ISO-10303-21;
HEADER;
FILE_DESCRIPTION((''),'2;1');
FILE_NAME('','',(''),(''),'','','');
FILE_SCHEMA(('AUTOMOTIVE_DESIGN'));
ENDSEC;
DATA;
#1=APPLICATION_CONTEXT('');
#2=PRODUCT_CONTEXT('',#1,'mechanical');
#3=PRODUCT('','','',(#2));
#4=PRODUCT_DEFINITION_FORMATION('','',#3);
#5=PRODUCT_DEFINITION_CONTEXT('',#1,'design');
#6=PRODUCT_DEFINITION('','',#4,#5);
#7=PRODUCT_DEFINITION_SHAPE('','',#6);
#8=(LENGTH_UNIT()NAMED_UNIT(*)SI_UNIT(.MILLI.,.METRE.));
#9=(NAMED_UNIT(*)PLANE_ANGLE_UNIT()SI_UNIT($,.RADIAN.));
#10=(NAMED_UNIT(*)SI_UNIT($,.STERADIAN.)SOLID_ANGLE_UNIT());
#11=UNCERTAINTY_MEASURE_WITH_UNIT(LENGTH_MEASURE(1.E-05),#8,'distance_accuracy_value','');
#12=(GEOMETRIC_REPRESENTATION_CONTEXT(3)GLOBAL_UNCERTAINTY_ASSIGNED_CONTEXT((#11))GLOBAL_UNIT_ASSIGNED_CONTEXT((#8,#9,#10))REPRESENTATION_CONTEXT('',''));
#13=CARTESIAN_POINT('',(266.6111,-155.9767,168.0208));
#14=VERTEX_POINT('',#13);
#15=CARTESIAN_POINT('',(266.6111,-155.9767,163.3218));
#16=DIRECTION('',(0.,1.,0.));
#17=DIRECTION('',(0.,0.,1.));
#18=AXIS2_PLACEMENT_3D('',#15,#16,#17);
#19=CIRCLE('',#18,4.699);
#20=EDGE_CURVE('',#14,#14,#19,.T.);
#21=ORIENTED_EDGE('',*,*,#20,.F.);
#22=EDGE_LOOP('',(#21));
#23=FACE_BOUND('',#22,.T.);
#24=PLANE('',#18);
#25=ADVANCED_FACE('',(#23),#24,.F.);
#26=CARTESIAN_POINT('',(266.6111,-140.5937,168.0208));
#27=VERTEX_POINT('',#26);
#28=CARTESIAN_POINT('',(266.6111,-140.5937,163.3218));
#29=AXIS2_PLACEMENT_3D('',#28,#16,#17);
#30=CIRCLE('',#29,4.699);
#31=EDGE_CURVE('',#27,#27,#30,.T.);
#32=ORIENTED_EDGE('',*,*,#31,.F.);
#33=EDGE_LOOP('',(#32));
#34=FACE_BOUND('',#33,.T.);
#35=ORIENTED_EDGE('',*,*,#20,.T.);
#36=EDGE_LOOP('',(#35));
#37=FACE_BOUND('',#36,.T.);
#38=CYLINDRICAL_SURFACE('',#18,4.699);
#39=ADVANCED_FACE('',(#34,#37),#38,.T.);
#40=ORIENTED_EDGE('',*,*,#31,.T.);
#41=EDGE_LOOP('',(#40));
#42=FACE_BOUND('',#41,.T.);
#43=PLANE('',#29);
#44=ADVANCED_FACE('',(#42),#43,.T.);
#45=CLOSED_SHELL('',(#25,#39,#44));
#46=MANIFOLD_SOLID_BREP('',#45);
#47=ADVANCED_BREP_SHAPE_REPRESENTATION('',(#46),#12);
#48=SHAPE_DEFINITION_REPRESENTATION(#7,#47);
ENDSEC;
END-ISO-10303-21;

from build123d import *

# Parameters (mm, degrees)
SWEEP1_PROFILE_R = 4.699


with BuildPart() as part:
    # Sweep1: sweep along a curve in space
    with BuildLine() as sweep1_path:
        Line((266.6111, -155.9767, 163.3218), (266.6111, -140.5937, 163.3218))
    # Sweep1 profile (on start of the path) → Sweep1 (sweep)
    with BuildSketch(Plane(origin=(266.6111, -155.9767, 163.3218), x_dir=(0, 0, 1), z_dir=(0, 1, 0))):
        Circle(SWEEP1_PROFILE_R)
    sweep(path=sweep1_path.line)


solid = part.part
